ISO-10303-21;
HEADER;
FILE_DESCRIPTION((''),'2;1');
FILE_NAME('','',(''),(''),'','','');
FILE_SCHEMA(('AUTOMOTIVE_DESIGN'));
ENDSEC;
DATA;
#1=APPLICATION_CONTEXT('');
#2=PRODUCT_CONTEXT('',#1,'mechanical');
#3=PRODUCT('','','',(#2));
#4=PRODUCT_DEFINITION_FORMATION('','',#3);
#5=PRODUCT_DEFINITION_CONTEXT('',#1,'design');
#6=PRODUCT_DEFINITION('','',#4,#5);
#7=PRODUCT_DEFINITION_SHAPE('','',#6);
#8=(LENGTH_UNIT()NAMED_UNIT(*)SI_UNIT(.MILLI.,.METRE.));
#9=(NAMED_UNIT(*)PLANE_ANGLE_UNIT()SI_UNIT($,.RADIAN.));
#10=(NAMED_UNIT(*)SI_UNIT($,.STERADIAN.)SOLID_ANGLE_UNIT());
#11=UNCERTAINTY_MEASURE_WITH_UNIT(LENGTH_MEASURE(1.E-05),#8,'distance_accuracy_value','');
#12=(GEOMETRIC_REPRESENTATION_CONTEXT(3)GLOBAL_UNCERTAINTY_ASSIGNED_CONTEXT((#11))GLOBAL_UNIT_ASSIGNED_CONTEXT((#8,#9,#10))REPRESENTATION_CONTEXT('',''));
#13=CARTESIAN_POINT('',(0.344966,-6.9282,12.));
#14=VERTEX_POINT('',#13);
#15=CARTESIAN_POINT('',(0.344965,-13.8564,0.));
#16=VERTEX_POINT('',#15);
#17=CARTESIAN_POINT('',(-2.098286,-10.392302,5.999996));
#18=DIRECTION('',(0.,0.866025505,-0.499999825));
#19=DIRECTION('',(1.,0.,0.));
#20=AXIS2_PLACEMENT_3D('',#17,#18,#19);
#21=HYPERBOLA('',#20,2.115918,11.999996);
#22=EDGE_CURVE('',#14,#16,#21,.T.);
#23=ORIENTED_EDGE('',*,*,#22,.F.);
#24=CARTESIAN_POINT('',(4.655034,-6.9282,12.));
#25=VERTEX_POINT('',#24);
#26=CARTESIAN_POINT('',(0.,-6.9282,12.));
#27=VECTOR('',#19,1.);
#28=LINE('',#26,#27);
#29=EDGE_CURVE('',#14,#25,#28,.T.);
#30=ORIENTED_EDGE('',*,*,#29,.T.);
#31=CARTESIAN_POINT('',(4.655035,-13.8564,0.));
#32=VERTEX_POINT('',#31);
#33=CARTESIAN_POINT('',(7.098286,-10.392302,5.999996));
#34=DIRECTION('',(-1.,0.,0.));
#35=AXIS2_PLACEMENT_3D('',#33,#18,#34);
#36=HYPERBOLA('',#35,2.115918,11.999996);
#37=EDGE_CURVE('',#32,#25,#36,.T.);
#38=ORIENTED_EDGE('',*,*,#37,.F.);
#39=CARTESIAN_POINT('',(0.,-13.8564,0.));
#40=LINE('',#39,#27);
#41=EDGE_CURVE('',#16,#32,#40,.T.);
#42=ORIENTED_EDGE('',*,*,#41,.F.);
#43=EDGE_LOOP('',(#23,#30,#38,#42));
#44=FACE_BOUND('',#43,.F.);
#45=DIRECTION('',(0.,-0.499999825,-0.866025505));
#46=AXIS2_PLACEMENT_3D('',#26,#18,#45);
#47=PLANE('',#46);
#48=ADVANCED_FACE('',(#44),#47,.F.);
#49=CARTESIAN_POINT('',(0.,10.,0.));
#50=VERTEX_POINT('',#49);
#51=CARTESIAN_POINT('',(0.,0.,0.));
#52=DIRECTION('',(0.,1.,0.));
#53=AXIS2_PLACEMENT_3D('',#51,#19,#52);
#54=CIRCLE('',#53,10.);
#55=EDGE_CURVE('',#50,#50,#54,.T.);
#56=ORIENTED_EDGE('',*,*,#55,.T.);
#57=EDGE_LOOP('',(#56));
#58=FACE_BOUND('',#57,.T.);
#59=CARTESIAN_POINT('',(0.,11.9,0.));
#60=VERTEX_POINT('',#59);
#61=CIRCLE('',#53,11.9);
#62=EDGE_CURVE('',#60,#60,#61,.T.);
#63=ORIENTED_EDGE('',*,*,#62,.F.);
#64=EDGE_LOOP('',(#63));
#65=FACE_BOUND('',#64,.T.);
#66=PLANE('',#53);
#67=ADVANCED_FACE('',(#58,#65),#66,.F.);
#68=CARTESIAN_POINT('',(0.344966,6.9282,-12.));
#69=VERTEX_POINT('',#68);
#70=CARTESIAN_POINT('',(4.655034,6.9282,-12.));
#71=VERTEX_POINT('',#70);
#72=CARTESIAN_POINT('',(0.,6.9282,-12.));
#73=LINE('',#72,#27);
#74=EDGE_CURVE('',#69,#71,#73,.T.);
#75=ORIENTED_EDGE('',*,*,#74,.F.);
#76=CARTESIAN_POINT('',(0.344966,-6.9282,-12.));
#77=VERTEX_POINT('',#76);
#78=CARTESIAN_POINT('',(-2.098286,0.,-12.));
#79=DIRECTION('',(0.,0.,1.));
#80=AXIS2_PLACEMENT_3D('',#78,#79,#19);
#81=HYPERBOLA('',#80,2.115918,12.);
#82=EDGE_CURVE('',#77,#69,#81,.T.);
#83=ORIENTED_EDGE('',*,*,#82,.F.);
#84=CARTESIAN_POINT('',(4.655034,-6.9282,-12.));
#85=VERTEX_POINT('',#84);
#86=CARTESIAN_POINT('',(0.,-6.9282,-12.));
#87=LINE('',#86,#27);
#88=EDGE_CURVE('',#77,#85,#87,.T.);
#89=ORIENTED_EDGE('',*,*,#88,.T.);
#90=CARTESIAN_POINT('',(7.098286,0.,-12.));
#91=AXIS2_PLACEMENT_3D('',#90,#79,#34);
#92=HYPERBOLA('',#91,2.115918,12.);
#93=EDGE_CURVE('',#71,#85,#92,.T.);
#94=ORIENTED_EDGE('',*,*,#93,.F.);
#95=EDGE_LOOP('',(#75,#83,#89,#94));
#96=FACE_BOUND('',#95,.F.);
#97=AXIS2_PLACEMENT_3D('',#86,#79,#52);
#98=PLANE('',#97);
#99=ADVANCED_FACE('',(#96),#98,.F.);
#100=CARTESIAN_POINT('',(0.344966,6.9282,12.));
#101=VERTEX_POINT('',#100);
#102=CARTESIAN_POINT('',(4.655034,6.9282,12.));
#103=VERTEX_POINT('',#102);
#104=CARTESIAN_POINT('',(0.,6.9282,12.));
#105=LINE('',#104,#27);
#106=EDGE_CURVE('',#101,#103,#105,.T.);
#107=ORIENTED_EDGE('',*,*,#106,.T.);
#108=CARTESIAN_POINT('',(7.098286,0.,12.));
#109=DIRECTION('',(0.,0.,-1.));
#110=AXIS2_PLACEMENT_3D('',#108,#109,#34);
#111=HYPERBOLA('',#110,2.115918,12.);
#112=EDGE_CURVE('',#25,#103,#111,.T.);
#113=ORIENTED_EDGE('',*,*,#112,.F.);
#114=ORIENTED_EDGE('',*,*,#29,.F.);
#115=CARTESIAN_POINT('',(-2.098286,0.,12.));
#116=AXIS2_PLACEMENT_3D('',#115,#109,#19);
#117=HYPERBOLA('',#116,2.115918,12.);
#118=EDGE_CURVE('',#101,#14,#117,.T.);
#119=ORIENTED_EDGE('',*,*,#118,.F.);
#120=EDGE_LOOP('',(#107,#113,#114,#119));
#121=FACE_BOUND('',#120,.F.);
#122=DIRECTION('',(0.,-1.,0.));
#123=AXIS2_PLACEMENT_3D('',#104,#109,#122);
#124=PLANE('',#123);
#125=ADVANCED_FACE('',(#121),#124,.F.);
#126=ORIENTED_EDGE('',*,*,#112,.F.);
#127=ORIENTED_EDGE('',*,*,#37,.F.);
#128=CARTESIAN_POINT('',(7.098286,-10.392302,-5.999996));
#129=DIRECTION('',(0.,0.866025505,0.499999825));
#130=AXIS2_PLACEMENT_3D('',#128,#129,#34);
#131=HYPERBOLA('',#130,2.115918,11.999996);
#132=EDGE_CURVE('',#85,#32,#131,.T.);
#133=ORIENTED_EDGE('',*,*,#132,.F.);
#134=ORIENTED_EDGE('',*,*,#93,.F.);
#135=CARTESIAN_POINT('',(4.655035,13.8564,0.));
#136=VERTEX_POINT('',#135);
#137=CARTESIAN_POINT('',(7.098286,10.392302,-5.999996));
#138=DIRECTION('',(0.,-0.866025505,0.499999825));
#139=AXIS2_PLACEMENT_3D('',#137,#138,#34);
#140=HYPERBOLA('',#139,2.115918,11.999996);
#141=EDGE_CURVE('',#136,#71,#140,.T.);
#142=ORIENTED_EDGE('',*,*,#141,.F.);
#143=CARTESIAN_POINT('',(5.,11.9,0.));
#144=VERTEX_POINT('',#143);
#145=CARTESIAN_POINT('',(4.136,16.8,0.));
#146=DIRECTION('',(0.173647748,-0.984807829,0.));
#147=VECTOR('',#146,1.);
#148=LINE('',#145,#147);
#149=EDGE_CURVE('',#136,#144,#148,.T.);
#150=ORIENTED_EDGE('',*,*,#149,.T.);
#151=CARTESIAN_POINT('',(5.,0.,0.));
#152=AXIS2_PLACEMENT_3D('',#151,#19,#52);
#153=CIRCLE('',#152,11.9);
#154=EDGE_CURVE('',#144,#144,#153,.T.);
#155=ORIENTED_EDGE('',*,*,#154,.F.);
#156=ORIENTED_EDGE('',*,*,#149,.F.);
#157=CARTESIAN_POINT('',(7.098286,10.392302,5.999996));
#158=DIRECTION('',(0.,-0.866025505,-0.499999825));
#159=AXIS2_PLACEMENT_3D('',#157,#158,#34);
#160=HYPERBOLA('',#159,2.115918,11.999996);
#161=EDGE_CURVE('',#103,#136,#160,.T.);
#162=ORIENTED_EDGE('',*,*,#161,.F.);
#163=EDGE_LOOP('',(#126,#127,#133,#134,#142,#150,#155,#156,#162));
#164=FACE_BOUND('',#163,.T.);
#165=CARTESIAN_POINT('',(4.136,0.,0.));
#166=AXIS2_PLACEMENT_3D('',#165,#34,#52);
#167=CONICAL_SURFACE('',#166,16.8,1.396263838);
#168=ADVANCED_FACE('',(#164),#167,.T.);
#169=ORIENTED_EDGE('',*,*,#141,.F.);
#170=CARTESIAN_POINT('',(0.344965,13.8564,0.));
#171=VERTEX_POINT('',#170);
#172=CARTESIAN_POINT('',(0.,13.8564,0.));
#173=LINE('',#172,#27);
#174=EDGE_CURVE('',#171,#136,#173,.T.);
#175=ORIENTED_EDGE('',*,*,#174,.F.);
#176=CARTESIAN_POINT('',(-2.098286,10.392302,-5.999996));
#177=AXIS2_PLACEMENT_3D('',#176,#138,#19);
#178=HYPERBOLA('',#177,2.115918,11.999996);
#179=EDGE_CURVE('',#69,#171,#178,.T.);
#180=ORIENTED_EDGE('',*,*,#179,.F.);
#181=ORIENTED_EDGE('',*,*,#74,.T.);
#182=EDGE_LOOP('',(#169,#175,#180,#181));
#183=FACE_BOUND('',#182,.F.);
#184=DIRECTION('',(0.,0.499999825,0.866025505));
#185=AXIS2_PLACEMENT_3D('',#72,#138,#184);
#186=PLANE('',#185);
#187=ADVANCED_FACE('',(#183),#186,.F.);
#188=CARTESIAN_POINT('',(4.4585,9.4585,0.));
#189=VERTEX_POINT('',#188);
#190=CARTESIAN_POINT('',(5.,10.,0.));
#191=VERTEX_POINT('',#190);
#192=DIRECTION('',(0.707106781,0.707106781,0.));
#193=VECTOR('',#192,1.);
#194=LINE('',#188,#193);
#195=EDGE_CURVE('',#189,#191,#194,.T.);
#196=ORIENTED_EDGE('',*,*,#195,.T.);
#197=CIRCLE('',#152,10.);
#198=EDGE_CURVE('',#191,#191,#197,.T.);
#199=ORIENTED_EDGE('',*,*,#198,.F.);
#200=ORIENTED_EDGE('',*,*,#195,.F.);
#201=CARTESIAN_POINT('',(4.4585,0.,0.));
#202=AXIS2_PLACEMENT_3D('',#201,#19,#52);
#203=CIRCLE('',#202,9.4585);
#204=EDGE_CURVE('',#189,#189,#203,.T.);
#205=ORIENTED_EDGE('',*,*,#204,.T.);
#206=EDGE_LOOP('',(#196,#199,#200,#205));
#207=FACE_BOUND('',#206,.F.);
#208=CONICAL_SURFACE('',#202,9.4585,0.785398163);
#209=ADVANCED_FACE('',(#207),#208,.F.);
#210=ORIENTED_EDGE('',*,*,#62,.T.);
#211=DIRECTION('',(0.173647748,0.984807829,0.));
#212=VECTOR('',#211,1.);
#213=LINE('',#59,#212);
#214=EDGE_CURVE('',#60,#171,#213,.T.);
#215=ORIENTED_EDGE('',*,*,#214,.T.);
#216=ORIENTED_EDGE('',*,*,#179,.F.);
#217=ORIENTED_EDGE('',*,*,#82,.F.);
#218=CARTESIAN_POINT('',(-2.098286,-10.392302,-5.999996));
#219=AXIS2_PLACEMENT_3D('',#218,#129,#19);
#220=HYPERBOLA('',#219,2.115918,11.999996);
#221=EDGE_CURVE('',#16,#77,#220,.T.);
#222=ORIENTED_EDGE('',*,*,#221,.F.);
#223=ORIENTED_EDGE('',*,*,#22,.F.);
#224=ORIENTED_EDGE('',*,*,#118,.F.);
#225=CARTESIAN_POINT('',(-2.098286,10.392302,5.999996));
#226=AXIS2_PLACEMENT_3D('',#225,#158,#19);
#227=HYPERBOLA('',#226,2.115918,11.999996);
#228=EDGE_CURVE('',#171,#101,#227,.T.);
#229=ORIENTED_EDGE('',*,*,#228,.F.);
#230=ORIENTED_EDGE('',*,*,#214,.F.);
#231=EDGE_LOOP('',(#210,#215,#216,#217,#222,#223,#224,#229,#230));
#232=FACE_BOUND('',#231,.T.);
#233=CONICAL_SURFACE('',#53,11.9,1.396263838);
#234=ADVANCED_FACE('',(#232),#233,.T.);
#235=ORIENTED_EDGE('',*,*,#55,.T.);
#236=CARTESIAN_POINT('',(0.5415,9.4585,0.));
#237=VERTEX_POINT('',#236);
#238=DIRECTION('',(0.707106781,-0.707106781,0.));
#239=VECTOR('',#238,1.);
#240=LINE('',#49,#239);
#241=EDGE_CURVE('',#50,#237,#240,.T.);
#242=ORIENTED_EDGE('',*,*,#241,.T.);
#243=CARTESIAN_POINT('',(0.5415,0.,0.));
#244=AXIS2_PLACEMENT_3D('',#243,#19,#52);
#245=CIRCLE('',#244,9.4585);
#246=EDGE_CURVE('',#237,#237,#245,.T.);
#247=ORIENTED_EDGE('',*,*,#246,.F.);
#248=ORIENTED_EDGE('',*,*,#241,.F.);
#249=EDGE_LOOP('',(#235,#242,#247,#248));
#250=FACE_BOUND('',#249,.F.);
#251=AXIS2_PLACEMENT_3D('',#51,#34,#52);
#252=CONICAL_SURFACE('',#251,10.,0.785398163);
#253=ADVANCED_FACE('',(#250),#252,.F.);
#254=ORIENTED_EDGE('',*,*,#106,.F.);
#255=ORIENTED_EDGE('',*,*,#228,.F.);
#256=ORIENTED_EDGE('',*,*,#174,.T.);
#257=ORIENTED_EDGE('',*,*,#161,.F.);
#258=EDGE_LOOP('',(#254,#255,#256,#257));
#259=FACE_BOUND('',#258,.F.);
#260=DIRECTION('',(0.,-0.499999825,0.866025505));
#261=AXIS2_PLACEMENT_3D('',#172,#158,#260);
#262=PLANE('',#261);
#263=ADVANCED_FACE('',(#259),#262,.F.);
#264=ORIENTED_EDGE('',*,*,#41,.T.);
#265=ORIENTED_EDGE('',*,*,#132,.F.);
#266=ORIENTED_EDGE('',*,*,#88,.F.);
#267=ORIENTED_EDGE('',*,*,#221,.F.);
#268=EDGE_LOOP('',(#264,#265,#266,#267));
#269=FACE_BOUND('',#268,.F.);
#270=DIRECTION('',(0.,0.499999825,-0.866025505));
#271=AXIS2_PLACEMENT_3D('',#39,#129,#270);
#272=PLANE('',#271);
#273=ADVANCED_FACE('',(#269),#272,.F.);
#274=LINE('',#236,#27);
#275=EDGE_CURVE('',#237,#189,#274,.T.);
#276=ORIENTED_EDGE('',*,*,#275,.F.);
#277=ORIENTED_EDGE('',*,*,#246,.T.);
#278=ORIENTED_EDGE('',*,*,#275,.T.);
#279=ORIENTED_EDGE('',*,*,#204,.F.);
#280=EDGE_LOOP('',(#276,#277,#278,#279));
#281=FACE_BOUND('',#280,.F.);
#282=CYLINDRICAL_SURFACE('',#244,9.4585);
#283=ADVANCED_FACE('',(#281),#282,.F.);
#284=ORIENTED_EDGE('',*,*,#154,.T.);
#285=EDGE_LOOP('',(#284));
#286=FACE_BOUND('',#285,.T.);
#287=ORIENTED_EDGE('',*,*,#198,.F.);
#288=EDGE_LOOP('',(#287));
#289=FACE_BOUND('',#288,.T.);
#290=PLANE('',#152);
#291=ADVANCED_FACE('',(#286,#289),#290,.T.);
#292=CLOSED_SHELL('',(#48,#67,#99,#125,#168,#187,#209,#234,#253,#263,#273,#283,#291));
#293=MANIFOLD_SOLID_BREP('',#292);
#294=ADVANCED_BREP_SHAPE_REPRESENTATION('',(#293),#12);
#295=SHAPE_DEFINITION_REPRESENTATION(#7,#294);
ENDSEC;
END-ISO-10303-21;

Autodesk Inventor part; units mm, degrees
sketch "Skizze_1" plane through (0, 0, 0) normal (0, 0, 1) x (1, 0, 0)
  line L0 (5, 0) -> (0, 0)
  line L1 (0, 0) -> (0, 11.9)
  line L2 (0, 11.9) -> (0.864, 16.8)
  line L3 (0.864, 16.8) -> (4.136, 16.8)
  line L4 (4.136, 16.8) -> (5, 11.9)
  line L5 (5, 11.9) -> (5, 0)
  line L6 (5, 0) -> (0, 0)
revolve "Revolution1" add sketch "Skizze_1" angle 360 about axis through (5, 0, 0) along (1, 0, 0)
sketch "Skizze_3" plane through (0, 0, 0) normal (0, 0, 1) x (1, 0, 0)
  line L0 (5, 0) -> (0, 0)
  line L1 (0, 0) -> (0, 10)
  line L2 (0, 10) -> (0.5415, 9.4585)
  line L3 (0.5415, 9.4585) -> (4.4585, 9.4585)
  line L4 (4.4585, 9.4585) -> (5, 10)
  line L5 (5, 10) -> (5, 0)
  line L6 (5, 0) -> (0, 0)
revolve "Revolution2" cut sketch "Skizze_3" angle 360 about axis through (5, 0, 0) along (1, 0, 0)
thread "Thread1" size "M20x1" class "6H" standard "ISO Metric profile" full length
sketch "Sketch_1" plane through (0, 0, 0) normal (1, 0, 0) x (0, 1, 0)
  line L0 (24, 24) -> (-24, 24)
  line L1 (-24, 24) -> (-24, -24)
  line L2 (-24, -24) -> (24, -24)
  line L3 (24, -24) -> (24, 24)
  line L4 (-6.9282, 12) -> (-13.8564, 0)
  line L5 (-13.8564, 0) -> (-6.9282, -12)
  line L6 (-6.9282, -12) -> (6.9282, -12)
  line L7 (6.9282, -12) -> (13.8564, 0)
  line L8 (13.8564, 0) -> (6.9282, 12)
  line L9 (6.9282, 12) -> (-6.9282, 12)
extrude "Extrusion1" cut sketch "Sketch_1" along normal blind 5
ref_plane "ANBAU_XY" through (0, 0, 0) normal (1, 0, 0) x (0, 0, -1)
ref_plane "ANBAU_YZ" through (0, 0, 0) normal (0, 0, -1) x (0, 1, 0)
ref_plane "ANBAU_ZX" through (0, 0, 0) normal (0, 1, 0) x (1, 0, 0)
ref_plane "SLE_XY" through (5, 0, 0) normal (-1, 0, 0) x (0, 1, 0)
ref_plane "SLE_YZ" through (5, 0, 0) normal (0, 1, 0) x (0, 0, -1)
ref_plane "SLE_ZX" through (5, 0, 0) normal (0, 0, -1) x (-1, 0, 0)
properties part number "Flachmutter M20x1-5-24"
